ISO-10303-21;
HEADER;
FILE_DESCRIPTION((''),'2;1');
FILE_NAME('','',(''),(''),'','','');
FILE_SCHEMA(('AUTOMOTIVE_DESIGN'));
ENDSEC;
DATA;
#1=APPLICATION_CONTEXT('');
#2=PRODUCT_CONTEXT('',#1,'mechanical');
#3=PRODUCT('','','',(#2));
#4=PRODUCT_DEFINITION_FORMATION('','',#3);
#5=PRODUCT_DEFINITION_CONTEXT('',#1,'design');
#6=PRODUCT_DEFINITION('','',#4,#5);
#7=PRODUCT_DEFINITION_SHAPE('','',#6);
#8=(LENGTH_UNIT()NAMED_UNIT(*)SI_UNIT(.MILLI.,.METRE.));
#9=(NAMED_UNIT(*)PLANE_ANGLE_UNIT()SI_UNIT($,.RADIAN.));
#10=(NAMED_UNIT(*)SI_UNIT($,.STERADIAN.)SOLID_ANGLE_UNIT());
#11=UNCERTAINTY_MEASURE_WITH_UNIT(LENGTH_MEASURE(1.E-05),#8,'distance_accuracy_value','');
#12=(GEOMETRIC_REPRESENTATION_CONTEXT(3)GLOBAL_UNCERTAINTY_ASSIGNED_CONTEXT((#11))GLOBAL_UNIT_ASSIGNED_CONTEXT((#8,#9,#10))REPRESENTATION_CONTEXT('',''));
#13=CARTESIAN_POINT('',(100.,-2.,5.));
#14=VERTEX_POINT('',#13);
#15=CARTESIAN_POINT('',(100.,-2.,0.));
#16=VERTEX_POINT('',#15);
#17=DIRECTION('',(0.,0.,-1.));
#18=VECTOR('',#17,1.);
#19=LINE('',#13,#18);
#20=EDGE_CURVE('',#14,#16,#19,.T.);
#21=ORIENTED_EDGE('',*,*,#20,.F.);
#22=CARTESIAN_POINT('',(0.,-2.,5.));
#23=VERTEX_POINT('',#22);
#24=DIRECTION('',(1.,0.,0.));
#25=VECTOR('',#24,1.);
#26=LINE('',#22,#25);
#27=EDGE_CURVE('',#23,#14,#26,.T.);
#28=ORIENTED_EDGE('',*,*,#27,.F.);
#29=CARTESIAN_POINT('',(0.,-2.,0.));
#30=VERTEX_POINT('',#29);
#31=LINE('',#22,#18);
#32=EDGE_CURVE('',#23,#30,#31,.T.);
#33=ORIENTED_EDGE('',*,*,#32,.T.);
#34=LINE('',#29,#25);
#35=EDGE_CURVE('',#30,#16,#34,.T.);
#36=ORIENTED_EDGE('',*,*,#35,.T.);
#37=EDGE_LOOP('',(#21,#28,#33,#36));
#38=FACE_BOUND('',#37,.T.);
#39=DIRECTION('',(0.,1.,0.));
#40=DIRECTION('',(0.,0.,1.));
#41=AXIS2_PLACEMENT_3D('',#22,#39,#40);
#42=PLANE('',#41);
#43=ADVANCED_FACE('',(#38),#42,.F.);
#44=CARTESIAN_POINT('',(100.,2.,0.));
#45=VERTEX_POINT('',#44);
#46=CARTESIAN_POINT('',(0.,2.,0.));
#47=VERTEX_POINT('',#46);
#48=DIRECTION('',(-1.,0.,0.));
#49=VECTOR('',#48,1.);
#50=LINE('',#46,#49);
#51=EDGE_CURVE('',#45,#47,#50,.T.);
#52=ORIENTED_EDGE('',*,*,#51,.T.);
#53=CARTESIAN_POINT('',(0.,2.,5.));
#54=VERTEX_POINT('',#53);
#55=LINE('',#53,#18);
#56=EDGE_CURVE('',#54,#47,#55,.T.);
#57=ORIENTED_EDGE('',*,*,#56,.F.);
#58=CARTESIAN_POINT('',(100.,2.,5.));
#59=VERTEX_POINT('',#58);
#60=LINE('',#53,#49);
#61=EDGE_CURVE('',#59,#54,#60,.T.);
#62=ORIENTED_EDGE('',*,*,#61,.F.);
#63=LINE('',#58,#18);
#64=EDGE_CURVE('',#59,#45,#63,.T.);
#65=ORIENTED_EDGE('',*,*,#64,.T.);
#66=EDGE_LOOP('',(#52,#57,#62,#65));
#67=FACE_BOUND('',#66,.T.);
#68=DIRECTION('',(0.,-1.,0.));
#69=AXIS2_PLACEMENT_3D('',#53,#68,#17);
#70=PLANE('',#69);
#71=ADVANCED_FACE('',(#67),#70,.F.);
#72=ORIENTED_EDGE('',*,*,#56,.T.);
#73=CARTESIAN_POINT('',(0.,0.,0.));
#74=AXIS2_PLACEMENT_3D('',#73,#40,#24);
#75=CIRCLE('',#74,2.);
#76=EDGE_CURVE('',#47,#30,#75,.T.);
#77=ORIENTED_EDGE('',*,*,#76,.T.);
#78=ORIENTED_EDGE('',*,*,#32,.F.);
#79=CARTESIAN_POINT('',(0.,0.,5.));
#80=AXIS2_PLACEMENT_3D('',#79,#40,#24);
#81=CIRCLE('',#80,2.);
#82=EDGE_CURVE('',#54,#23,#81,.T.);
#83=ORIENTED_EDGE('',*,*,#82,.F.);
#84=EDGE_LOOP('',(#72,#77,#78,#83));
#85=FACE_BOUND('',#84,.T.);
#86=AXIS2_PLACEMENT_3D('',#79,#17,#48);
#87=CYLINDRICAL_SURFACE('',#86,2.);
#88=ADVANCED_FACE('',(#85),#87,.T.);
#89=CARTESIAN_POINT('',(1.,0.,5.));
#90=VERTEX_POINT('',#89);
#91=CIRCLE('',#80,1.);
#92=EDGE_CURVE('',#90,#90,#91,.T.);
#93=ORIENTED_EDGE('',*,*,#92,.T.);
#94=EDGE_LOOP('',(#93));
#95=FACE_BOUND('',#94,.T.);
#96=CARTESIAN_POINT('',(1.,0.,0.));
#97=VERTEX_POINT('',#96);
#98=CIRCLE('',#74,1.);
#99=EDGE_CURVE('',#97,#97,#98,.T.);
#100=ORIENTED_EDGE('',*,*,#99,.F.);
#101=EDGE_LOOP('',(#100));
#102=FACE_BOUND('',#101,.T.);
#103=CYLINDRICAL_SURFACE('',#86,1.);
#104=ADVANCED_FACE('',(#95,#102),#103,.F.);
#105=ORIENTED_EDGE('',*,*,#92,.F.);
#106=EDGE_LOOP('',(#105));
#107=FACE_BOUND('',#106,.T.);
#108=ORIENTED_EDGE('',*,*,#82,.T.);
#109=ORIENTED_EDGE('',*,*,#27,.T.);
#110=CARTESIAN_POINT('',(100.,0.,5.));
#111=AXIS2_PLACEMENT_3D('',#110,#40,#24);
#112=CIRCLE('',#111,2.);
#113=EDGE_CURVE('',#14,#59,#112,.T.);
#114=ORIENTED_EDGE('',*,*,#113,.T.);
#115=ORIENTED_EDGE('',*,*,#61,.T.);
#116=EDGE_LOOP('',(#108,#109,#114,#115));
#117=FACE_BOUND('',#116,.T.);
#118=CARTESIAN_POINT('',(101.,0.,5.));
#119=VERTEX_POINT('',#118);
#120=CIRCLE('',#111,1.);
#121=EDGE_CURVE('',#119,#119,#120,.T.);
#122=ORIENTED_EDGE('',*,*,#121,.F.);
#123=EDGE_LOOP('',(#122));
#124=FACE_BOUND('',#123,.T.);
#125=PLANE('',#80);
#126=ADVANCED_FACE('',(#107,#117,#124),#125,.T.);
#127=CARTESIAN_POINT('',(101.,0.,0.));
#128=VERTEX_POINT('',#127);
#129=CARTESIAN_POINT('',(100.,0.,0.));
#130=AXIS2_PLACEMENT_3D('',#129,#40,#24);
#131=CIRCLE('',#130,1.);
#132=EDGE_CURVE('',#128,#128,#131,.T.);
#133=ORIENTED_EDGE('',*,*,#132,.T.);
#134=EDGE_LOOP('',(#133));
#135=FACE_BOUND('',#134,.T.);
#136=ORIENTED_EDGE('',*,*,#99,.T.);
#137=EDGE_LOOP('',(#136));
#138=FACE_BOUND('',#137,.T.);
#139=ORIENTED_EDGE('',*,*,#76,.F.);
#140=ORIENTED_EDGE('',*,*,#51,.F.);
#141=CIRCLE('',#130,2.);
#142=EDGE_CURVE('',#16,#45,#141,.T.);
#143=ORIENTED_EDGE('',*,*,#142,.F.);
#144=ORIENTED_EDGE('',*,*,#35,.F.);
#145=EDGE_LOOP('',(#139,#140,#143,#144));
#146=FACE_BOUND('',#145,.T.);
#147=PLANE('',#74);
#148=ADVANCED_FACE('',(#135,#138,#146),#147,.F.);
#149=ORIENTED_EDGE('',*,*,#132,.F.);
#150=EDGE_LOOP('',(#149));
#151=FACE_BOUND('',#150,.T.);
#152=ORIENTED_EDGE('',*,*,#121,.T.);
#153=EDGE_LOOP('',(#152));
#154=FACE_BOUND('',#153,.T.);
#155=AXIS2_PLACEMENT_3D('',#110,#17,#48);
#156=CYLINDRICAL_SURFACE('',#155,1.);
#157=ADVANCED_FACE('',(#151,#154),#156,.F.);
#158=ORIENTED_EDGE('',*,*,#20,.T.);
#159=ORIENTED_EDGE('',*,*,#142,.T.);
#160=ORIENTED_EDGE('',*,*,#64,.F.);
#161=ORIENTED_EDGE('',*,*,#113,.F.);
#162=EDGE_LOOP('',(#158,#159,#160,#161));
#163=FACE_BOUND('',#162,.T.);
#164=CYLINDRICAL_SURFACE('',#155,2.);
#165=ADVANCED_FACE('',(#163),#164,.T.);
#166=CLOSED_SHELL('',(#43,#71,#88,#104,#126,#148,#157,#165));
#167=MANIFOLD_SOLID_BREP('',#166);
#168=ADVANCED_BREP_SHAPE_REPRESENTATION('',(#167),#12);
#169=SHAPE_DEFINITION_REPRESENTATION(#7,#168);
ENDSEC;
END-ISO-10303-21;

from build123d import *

# Parameters (mm, degrees)
SKETCH1_R           = 1
BOSS_EXTRUDE1_DEPTH = 5


with BuildPart() as part:
    # Sketch1 → Boss-Extrude1 (new body)
    with BuildSketch(Plane.XY):
        with BuildLine():
            Line((0, 2), (100, 2))
            ThreePointArc((100, 2), (102, 0), (100, -2))
            Line((100, -2), (0, -2))
            ThreePointArc((0, -2), (-2, 0), (0, 2))
        make_face()
        Circle(SKETCH1_R, mode=Mode.SUBTRACT)
        with Locations((100, 0)):
            Circle(SKETCH1_R, mode=Mode.SUBTRACT)
    extrude(amount=BOSS_EXTRUDE1_DEPTH)


solid = part.part
